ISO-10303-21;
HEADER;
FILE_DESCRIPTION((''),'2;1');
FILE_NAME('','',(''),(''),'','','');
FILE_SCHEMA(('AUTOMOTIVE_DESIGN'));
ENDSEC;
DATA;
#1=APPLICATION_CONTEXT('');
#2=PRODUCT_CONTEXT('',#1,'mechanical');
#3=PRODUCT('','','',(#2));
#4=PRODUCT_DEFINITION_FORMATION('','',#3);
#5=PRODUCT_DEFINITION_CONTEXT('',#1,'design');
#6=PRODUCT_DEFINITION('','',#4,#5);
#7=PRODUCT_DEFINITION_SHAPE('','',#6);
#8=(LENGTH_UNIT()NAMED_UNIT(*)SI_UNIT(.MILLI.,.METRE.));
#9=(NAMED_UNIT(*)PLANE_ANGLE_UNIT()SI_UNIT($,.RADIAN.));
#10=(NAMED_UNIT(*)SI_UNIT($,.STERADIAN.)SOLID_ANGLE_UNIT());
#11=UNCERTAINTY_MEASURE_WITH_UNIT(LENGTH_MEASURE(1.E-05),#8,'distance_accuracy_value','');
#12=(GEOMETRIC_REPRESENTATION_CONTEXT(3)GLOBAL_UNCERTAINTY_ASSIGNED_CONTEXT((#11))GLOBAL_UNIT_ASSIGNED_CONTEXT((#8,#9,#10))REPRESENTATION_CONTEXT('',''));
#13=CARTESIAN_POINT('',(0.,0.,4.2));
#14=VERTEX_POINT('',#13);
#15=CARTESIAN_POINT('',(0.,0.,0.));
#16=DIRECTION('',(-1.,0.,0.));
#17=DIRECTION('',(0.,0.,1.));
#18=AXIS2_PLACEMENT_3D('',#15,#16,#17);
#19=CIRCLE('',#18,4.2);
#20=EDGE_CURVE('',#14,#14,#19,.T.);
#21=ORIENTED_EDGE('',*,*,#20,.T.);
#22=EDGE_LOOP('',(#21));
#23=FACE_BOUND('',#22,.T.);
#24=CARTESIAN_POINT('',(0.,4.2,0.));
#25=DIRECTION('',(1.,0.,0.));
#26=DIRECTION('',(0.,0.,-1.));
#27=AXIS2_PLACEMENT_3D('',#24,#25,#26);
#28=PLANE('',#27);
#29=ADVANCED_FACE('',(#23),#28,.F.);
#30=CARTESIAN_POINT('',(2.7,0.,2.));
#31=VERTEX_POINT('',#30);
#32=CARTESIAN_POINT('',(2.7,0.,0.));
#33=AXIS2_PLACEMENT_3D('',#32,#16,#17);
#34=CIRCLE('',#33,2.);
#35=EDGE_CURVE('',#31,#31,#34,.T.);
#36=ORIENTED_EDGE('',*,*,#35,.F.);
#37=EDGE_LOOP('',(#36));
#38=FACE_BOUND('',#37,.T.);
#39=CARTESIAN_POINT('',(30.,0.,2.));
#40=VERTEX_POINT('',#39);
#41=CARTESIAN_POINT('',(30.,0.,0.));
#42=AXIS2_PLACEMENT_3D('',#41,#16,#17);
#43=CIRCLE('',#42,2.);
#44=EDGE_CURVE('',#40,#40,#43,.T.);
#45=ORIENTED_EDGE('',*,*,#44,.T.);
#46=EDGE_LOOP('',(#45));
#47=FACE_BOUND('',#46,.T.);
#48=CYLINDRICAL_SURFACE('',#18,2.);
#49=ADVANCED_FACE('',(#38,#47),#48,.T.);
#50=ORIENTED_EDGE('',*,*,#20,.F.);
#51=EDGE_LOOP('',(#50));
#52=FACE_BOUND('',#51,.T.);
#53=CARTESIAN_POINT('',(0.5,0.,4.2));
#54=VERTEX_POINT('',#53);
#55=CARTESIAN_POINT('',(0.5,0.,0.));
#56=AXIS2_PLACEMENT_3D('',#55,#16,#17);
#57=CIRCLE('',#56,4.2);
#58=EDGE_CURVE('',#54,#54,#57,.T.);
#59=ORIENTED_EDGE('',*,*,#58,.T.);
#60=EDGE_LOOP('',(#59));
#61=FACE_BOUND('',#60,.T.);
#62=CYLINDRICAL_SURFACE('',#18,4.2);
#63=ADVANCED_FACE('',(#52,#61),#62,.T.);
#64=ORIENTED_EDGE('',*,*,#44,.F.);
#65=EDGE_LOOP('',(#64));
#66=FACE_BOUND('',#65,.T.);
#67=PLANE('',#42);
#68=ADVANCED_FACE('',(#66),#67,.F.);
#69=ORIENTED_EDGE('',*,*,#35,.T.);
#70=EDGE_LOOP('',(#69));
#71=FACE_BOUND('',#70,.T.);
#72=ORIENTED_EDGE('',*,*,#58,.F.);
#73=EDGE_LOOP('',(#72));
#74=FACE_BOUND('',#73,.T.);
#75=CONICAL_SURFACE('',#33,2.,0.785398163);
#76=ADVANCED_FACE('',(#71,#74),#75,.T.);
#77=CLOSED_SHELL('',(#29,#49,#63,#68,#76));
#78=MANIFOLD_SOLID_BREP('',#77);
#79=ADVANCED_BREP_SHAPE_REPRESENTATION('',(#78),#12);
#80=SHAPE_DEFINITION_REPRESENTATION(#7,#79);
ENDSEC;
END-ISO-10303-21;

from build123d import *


with BuildPart() as part:
    # Esquisse1 → Révolution1 (revolve)
    with BuildSketch(Plane.XY, mode=Mode.PRIVATE) as r_volution1_sk:
        Polygon((0, 0), (30, 0), (30, 2), (2.7, 2), (0.5, 4.2), (0, 4.2), align=None)
    revolve(r_volution1_sk.sketch.rotate(Axis((0, 0, 0), (1, 0, 0)), 90), axis=Axis((0, 0, 0), (1, 0, 0)))


solid = part.part
